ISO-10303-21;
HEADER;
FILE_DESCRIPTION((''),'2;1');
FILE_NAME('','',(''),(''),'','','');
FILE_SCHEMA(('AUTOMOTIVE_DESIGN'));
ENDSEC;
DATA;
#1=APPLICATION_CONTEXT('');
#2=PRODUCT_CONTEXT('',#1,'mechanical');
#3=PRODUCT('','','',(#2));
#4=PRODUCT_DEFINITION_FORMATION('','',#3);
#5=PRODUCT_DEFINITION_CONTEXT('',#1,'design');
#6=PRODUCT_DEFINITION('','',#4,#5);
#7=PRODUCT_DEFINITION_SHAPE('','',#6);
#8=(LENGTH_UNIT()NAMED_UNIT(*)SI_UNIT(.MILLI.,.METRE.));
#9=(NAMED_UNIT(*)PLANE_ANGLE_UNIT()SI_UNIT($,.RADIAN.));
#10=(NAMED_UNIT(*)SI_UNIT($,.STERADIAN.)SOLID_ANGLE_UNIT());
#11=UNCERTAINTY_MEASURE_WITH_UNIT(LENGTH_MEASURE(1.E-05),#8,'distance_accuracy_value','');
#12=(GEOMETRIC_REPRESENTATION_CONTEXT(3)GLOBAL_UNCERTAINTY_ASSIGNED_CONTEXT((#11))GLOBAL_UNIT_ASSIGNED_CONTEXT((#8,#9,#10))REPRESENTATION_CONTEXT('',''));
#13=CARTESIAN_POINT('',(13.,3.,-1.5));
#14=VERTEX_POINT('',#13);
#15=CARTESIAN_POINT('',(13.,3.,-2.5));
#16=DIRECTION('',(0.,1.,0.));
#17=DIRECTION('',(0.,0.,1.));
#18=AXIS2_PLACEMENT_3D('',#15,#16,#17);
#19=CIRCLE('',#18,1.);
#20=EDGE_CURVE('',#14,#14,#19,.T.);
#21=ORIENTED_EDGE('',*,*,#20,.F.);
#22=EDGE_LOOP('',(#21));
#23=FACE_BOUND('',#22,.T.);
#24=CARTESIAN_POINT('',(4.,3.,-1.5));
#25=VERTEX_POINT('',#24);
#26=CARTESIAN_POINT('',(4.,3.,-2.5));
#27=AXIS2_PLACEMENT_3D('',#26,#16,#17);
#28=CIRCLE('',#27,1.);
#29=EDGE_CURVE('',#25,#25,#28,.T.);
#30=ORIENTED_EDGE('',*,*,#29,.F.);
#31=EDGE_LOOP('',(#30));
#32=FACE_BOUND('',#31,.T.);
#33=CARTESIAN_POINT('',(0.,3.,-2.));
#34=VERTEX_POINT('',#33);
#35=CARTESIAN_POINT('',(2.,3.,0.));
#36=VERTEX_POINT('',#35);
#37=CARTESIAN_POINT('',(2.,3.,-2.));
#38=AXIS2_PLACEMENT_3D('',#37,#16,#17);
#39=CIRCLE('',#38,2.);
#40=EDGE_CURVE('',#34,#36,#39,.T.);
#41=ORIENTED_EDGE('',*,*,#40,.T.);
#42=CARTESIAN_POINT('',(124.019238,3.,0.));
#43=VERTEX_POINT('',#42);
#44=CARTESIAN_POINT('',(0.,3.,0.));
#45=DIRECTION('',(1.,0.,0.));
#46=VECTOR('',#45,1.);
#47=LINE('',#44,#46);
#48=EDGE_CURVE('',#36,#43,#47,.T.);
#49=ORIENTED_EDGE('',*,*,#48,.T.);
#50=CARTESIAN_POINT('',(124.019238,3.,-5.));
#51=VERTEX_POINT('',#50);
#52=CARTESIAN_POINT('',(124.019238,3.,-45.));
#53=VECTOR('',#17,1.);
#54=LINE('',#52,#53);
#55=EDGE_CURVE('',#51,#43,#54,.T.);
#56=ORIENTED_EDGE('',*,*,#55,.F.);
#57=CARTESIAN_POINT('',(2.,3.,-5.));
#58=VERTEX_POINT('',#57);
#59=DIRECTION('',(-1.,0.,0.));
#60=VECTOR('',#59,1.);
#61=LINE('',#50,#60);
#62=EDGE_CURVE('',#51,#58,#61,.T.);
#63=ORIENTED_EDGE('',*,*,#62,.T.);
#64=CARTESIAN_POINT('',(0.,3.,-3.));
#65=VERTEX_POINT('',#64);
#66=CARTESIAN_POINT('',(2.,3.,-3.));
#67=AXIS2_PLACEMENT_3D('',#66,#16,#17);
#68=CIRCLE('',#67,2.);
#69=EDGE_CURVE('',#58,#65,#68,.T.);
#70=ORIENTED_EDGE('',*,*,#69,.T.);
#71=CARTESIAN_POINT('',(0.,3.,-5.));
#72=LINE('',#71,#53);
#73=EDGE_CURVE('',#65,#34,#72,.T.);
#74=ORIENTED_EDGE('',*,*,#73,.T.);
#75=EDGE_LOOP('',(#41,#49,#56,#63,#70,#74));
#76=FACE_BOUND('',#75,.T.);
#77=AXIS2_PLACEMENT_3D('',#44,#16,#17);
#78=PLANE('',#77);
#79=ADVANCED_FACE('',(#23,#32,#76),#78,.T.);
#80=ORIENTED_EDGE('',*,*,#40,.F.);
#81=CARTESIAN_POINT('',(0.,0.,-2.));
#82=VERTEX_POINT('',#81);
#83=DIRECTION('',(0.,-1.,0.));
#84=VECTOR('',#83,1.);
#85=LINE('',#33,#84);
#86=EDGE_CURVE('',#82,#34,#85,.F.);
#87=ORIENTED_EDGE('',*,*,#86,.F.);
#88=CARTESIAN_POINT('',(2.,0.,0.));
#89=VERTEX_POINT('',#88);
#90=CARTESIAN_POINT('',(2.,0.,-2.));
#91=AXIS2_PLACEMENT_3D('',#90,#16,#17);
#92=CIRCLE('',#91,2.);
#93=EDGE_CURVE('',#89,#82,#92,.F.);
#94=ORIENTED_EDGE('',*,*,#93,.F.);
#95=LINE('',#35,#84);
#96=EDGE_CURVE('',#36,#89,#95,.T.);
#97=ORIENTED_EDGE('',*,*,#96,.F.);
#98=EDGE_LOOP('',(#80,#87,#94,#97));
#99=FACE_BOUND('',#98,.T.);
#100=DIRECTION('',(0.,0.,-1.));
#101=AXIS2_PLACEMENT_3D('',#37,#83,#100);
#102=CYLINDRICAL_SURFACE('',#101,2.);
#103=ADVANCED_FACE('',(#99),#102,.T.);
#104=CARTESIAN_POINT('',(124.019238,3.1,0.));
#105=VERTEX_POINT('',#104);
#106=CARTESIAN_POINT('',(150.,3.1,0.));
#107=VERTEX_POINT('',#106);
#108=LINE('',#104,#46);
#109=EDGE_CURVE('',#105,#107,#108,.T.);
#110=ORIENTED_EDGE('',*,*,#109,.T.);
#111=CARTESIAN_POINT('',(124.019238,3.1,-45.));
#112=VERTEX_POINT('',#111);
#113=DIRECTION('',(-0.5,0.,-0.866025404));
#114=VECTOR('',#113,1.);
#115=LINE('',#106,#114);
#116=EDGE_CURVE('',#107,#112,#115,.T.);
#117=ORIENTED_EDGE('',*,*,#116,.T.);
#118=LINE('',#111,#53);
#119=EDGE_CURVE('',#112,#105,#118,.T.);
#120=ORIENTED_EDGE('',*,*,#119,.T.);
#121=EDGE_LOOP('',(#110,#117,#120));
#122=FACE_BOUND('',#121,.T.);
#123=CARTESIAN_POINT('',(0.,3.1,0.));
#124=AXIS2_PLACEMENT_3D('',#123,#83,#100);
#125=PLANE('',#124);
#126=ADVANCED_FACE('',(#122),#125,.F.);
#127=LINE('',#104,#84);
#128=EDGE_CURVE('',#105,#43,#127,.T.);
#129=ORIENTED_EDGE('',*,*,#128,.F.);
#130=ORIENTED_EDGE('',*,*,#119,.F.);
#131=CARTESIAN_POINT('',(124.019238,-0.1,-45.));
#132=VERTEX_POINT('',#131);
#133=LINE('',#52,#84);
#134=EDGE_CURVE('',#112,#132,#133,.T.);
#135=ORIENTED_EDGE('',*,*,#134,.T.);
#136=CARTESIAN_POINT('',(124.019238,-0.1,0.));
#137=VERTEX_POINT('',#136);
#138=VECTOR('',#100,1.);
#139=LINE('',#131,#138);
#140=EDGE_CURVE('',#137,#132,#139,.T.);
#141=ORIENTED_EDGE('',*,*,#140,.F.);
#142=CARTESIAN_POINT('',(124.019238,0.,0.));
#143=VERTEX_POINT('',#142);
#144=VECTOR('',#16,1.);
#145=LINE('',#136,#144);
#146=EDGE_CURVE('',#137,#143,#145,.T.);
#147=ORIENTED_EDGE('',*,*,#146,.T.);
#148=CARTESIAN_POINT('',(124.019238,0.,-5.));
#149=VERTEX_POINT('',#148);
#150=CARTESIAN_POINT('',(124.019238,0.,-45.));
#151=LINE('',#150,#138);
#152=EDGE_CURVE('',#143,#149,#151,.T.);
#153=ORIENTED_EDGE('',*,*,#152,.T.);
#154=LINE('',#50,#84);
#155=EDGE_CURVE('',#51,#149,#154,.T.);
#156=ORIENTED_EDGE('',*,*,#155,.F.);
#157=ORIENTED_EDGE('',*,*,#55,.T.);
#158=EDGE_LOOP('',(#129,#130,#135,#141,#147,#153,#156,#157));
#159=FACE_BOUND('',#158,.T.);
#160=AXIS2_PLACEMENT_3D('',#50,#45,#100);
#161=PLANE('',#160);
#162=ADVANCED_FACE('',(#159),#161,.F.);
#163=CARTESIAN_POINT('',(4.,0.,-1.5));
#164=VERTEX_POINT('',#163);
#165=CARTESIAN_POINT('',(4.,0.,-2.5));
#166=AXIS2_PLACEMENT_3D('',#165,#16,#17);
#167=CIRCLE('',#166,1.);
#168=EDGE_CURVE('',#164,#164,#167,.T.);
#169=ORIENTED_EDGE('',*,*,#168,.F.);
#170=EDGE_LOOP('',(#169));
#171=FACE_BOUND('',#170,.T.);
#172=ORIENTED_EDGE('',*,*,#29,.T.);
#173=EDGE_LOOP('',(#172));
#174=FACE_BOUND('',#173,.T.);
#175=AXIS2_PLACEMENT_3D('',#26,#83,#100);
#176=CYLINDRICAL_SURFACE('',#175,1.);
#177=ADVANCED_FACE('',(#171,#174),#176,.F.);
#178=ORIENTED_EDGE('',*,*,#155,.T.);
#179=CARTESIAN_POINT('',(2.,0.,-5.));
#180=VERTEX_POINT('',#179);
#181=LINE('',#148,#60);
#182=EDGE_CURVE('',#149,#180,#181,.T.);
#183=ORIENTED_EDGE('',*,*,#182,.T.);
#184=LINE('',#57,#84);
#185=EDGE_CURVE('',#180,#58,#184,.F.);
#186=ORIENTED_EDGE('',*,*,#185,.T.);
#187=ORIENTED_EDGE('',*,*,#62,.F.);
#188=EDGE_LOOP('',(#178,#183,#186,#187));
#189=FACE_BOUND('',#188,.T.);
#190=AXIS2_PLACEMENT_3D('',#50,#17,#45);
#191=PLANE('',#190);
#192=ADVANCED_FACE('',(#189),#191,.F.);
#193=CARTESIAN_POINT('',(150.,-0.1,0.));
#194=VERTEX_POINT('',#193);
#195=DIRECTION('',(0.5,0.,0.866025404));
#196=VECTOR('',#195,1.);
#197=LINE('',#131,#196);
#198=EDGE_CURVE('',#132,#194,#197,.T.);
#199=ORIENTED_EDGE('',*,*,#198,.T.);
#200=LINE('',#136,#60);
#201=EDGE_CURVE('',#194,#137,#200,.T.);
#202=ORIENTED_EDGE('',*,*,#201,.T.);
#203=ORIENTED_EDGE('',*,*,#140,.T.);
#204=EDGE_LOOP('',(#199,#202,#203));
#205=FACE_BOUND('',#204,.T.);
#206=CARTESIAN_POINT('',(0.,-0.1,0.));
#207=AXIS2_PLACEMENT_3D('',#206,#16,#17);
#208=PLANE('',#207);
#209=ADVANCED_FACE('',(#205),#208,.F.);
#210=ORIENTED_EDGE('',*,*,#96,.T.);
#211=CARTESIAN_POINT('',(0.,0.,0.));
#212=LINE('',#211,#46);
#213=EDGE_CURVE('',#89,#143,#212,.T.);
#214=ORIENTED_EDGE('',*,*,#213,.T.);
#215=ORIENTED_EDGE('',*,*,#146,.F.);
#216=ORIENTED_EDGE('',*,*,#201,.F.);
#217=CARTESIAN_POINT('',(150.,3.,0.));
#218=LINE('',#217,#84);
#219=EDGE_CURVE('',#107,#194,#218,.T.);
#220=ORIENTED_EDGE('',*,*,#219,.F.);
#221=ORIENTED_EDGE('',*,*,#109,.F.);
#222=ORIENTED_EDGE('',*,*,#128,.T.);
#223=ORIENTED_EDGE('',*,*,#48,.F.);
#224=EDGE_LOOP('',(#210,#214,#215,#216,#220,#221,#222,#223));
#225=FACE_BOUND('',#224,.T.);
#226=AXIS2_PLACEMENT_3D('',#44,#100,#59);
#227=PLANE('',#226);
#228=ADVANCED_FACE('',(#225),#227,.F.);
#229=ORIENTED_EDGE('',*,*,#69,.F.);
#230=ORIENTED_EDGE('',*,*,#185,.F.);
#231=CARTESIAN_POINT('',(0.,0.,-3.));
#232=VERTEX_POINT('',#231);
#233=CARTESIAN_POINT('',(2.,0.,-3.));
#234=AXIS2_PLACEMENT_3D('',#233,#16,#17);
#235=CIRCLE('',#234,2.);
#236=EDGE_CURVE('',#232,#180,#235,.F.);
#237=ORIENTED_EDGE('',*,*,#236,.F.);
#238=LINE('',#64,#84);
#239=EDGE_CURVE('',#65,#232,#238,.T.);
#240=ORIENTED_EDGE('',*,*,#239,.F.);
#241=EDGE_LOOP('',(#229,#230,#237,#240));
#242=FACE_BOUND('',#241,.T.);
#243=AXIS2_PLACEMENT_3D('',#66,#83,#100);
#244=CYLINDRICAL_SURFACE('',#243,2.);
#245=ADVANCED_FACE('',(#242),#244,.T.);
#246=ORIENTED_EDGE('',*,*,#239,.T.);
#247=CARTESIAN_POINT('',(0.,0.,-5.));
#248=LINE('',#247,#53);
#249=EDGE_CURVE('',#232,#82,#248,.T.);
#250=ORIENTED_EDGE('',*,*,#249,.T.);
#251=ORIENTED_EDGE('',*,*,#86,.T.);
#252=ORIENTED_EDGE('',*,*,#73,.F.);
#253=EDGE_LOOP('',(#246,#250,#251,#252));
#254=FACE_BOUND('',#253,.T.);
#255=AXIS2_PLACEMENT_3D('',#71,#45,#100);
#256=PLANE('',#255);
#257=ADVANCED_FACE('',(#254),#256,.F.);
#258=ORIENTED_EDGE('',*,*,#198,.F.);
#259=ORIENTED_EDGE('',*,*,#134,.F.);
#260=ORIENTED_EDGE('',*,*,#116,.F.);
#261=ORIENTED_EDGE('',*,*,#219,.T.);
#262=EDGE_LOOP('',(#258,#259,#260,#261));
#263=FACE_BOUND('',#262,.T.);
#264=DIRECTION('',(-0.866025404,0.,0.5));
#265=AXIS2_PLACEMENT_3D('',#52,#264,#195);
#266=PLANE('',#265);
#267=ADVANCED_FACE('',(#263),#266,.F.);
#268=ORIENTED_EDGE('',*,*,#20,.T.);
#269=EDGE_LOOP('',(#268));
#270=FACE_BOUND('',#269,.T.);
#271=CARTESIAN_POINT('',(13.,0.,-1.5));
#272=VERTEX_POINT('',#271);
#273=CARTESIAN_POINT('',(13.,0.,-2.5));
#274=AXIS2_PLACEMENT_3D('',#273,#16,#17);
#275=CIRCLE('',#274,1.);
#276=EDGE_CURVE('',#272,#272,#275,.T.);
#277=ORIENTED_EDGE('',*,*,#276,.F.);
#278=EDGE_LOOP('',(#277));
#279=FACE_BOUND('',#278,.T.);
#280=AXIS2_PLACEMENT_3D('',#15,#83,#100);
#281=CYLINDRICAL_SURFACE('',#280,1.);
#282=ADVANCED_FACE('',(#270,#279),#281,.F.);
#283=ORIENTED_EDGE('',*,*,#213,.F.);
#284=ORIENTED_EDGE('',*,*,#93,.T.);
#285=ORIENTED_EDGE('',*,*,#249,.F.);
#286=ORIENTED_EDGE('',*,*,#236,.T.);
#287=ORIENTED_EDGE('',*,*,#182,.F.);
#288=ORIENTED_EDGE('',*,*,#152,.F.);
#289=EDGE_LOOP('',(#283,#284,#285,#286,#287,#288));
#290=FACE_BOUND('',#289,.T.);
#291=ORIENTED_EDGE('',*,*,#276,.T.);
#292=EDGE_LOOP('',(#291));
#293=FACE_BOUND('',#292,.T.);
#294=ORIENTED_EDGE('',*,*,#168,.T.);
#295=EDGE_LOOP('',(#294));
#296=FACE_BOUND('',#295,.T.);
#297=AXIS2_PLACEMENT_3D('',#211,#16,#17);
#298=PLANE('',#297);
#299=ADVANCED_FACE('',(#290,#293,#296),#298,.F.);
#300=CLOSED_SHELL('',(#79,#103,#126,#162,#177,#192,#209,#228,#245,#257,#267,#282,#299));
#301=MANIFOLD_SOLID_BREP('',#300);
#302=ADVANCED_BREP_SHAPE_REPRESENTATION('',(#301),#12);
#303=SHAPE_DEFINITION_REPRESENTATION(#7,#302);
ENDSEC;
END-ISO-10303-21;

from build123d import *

# Parameters (mm, degrees)
SKETCH1_R           = 1
BOSS_EXTRUDE1_DEPTH = 3
FILLET1_R           = 2
BOSS_EXTRUDE2_DEPTH = 0.1
BOSS_EXTRUDE3_DEPTH = 0.1


with BuildPart() as part:
    # Sketch1 → Boss-Extrude1 (new body)
    with BuildSketch(Plane(origin=(0, 0, 0), x_dir=(1, 0, 0), z_dir=(0, 1, 0))):
        Polygon((0, 0), (150, 0), (124.019237886, 45), (124.019237886, 5), (0, 5), align=None)
        with Locations(Location((4, 2.5, 0), (0, 0, 270))):
            Circle(SKETCH1_R, mode=Mode.SUBTRACT)
        with Locations(Location((13, 2.5, 0), (0, 0, 270))):
            Circle(SKETCH1_R, mode=Mode.SUBTRACT)
    extrude(amount=BOSS_EXTRUDE1_DEPTH)

    # Fillet1
    fillet1_edges = [part.edges().sort_by_distance(p)[0] for p in [
        (0, 1.5, -5),
        (0, 1.5, 0),
    ]]
    fillet(fillet1_edges, radius=FILLET1_R)

    # Sketch2 → Boss-Extrude2 (add)
    with BuildSketch(Plane(origin=(0, 3, 0), x_dir=(1, 0, 0), z_dir=(0, 1, 0))):
        Polygon((150, 0), (124.019237886, 45), (124.019237886, 0), align=None)
    extrude(amount=BOSS_EXTRUDE2_DEPTH)

    # Sketch3 → Boss-Extrude3 (add)
    with BuildSketch(Plane.XZ):
        Polygon((124.019237886, -45), (150, 0), (124.019237886, 0), align=None)
    extrude(amount=BOSS_EXTRUDE3_DEPTH)


solid = part.part
